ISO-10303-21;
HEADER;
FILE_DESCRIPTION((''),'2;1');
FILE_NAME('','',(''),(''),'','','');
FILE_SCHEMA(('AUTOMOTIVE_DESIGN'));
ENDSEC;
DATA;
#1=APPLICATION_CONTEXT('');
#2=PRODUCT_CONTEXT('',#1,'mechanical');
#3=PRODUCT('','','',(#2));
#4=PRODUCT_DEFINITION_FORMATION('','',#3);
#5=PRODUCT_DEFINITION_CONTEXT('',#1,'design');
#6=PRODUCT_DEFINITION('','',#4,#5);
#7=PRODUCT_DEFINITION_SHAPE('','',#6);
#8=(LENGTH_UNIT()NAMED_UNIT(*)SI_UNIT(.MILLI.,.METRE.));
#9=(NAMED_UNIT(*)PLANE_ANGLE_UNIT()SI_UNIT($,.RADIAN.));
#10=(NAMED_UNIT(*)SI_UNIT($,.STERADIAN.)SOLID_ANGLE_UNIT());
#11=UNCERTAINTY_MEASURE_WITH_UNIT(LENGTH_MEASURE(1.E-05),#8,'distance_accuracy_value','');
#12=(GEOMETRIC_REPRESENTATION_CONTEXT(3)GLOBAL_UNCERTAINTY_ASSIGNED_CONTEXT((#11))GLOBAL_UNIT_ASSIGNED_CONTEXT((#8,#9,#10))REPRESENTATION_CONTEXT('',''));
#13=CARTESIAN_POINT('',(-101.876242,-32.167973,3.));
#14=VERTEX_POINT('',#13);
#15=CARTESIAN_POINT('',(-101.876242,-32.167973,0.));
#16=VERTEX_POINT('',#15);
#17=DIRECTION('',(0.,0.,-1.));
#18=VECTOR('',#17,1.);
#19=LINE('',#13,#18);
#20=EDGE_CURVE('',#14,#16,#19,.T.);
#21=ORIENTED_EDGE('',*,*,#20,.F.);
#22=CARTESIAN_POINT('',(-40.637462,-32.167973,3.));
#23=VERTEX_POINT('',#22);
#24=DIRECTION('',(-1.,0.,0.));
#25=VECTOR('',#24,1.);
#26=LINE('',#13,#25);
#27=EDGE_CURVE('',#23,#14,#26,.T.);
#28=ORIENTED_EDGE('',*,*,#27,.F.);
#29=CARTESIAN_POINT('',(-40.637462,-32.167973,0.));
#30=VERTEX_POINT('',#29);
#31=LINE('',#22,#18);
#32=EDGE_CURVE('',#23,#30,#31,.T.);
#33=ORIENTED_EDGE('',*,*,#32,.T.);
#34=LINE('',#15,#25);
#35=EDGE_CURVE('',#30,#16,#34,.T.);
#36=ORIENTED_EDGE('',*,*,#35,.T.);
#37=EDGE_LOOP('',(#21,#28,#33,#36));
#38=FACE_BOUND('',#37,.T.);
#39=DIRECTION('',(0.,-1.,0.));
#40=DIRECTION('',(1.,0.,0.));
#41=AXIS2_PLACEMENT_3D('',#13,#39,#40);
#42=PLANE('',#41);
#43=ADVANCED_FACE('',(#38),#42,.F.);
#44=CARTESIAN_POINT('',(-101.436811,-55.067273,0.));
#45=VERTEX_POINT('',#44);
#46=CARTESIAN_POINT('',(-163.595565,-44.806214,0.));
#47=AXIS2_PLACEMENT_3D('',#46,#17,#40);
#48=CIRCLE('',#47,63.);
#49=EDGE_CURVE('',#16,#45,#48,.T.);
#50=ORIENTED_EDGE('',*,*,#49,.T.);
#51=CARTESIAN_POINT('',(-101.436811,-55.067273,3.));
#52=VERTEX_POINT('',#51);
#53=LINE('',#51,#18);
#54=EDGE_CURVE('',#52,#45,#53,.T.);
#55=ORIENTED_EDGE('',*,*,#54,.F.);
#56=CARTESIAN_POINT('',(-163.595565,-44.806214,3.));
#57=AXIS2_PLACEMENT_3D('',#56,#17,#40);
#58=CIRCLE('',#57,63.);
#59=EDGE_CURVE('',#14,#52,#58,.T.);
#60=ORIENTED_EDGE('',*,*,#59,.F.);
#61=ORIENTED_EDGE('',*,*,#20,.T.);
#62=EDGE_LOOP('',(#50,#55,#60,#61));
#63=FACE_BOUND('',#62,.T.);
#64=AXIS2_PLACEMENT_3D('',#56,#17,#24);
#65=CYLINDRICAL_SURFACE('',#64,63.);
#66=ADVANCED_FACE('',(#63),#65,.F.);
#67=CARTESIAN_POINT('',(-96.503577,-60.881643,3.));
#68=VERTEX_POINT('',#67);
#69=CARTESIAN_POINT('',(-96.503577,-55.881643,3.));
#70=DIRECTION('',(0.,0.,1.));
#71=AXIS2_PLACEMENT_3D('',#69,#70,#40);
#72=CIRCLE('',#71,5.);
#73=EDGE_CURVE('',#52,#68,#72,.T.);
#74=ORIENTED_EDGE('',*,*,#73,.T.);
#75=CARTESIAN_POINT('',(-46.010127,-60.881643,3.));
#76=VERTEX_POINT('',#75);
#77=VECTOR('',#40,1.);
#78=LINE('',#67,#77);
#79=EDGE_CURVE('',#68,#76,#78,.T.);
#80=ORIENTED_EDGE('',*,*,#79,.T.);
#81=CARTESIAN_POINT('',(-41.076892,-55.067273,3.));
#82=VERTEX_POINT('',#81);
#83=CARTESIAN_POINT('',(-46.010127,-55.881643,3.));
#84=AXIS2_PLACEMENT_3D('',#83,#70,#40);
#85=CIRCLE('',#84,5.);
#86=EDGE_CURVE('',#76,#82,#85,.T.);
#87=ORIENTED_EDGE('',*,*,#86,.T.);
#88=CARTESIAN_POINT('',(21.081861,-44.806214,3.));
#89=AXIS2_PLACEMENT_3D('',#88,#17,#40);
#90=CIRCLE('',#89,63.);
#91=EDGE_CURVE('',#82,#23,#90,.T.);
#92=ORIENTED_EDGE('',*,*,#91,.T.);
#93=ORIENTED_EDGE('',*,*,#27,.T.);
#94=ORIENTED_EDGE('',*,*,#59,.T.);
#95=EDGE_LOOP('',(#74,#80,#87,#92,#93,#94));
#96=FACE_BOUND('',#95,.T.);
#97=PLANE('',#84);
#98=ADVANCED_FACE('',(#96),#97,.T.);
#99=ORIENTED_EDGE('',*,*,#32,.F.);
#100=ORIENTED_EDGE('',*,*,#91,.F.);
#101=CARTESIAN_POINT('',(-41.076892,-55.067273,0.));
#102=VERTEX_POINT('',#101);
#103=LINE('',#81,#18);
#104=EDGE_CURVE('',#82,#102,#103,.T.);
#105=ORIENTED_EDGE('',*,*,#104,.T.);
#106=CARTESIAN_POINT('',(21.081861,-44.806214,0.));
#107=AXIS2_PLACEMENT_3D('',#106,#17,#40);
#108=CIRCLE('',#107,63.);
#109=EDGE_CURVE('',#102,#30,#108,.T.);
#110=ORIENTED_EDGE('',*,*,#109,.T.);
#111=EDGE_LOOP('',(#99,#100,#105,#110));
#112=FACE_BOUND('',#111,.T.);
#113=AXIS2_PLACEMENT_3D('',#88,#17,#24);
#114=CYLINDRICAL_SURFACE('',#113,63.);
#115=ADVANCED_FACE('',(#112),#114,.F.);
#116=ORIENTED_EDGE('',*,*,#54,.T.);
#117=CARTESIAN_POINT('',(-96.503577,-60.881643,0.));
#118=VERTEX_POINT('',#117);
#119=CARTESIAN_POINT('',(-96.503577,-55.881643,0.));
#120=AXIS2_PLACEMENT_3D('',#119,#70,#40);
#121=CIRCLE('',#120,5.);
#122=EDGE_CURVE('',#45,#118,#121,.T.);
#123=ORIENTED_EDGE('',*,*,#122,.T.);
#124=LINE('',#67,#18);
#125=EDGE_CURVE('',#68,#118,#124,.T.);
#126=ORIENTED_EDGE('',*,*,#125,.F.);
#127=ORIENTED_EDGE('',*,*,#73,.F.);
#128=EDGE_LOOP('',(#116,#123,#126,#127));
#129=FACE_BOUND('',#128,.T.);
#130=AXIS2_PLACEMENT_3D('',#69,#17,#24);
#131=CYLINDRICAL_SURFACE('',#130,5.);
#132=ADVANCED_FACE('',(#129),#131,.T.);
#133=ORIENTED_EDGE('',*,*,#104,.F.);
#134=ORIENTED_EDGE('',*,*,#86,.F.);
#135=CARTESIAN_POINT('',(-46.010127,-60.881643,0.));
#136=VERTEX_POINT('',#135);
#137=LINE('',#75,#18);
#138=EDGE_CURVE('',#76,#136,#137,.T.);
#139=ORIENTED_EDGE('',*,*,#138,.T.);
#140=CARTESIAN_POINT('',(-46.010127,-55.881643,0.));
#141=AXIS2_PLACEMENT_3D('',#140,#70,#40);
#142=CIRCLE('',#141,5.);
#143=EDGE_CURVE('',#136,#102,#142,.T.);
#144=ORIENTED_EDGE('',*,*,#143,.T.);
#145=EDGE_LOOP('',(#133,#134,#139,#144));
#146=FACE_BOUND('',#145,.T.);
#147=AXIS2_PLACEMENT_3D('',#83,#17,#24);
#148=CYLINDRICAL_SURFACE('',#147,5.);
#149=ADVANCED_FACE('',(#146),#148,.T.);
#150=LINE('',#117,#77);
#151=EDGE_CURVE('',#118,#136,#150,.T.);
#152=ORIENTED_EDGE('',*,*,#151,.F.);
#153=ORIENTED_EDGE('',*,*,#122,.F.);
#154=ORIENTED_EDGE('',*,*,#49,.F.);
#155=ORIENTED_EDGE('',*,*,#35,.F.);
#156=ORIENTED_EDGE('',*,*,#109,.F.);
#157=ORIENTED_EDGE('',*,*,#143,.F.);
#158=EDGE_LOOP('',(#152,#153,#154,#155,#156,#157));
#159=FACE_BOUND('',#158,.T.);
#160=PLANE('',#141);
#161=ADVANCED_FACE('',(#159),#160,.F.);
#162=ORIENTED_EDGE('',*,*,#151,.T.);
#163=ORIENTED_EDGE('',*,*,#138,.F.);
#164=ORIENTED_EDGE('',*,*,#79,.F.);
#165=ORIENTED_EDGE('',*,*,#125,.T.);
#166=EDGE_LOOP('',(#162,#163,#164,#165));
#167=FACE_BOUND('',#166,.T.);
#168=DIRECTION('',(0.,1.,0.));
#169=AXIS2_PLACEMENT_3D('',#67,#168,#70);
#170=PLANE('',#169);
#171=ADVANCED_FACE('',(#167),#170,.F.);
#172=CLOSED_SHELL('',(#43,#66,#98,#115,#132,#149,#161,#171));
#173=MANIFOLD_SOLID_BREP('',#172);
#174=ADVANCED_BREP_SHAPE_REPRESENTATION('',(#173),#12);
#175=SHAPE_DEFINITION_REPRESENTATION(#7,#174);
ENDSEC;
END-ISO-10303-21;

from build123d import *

# Parameters (mm, degrees)
EXTRUDE_1_DEPTH = 3


with BuildPart() as part:
    # 草图2 → 凸台-拉伸1 (new body)
    with BuildSketch(Plane.XY):
        with BuildLine():
            Line((-96.503576656, -60.881642549), (-46.010126781, -60.881642549))
            ThreePointArc((-46.010126781, -60.881642549), (-42.197526053, -59.116464908), (-41.076892349, -55.067272827))
            ThreePointArc((-41.076892349, -55.067272827), (-41.906542012, -43.597485837), (-40.637461679, -32.167972843))
            Line((-40.637461679, -32.167972843), (-101.876241757, -32.167972843))
            ThreePointArc((-101.876241757, -32.167972843), (-100.607161424, -43.597485837), (-101.436811087, -55.067272827))
            ThreePointArc((-101.436811087, -55.067272827), (-100.316177383, -59.116464908), (-96.503576656, -60.881642549))
        make_face()
    extrude(amount=EXTRUDE_1_DEPTH)


solid = part.part
